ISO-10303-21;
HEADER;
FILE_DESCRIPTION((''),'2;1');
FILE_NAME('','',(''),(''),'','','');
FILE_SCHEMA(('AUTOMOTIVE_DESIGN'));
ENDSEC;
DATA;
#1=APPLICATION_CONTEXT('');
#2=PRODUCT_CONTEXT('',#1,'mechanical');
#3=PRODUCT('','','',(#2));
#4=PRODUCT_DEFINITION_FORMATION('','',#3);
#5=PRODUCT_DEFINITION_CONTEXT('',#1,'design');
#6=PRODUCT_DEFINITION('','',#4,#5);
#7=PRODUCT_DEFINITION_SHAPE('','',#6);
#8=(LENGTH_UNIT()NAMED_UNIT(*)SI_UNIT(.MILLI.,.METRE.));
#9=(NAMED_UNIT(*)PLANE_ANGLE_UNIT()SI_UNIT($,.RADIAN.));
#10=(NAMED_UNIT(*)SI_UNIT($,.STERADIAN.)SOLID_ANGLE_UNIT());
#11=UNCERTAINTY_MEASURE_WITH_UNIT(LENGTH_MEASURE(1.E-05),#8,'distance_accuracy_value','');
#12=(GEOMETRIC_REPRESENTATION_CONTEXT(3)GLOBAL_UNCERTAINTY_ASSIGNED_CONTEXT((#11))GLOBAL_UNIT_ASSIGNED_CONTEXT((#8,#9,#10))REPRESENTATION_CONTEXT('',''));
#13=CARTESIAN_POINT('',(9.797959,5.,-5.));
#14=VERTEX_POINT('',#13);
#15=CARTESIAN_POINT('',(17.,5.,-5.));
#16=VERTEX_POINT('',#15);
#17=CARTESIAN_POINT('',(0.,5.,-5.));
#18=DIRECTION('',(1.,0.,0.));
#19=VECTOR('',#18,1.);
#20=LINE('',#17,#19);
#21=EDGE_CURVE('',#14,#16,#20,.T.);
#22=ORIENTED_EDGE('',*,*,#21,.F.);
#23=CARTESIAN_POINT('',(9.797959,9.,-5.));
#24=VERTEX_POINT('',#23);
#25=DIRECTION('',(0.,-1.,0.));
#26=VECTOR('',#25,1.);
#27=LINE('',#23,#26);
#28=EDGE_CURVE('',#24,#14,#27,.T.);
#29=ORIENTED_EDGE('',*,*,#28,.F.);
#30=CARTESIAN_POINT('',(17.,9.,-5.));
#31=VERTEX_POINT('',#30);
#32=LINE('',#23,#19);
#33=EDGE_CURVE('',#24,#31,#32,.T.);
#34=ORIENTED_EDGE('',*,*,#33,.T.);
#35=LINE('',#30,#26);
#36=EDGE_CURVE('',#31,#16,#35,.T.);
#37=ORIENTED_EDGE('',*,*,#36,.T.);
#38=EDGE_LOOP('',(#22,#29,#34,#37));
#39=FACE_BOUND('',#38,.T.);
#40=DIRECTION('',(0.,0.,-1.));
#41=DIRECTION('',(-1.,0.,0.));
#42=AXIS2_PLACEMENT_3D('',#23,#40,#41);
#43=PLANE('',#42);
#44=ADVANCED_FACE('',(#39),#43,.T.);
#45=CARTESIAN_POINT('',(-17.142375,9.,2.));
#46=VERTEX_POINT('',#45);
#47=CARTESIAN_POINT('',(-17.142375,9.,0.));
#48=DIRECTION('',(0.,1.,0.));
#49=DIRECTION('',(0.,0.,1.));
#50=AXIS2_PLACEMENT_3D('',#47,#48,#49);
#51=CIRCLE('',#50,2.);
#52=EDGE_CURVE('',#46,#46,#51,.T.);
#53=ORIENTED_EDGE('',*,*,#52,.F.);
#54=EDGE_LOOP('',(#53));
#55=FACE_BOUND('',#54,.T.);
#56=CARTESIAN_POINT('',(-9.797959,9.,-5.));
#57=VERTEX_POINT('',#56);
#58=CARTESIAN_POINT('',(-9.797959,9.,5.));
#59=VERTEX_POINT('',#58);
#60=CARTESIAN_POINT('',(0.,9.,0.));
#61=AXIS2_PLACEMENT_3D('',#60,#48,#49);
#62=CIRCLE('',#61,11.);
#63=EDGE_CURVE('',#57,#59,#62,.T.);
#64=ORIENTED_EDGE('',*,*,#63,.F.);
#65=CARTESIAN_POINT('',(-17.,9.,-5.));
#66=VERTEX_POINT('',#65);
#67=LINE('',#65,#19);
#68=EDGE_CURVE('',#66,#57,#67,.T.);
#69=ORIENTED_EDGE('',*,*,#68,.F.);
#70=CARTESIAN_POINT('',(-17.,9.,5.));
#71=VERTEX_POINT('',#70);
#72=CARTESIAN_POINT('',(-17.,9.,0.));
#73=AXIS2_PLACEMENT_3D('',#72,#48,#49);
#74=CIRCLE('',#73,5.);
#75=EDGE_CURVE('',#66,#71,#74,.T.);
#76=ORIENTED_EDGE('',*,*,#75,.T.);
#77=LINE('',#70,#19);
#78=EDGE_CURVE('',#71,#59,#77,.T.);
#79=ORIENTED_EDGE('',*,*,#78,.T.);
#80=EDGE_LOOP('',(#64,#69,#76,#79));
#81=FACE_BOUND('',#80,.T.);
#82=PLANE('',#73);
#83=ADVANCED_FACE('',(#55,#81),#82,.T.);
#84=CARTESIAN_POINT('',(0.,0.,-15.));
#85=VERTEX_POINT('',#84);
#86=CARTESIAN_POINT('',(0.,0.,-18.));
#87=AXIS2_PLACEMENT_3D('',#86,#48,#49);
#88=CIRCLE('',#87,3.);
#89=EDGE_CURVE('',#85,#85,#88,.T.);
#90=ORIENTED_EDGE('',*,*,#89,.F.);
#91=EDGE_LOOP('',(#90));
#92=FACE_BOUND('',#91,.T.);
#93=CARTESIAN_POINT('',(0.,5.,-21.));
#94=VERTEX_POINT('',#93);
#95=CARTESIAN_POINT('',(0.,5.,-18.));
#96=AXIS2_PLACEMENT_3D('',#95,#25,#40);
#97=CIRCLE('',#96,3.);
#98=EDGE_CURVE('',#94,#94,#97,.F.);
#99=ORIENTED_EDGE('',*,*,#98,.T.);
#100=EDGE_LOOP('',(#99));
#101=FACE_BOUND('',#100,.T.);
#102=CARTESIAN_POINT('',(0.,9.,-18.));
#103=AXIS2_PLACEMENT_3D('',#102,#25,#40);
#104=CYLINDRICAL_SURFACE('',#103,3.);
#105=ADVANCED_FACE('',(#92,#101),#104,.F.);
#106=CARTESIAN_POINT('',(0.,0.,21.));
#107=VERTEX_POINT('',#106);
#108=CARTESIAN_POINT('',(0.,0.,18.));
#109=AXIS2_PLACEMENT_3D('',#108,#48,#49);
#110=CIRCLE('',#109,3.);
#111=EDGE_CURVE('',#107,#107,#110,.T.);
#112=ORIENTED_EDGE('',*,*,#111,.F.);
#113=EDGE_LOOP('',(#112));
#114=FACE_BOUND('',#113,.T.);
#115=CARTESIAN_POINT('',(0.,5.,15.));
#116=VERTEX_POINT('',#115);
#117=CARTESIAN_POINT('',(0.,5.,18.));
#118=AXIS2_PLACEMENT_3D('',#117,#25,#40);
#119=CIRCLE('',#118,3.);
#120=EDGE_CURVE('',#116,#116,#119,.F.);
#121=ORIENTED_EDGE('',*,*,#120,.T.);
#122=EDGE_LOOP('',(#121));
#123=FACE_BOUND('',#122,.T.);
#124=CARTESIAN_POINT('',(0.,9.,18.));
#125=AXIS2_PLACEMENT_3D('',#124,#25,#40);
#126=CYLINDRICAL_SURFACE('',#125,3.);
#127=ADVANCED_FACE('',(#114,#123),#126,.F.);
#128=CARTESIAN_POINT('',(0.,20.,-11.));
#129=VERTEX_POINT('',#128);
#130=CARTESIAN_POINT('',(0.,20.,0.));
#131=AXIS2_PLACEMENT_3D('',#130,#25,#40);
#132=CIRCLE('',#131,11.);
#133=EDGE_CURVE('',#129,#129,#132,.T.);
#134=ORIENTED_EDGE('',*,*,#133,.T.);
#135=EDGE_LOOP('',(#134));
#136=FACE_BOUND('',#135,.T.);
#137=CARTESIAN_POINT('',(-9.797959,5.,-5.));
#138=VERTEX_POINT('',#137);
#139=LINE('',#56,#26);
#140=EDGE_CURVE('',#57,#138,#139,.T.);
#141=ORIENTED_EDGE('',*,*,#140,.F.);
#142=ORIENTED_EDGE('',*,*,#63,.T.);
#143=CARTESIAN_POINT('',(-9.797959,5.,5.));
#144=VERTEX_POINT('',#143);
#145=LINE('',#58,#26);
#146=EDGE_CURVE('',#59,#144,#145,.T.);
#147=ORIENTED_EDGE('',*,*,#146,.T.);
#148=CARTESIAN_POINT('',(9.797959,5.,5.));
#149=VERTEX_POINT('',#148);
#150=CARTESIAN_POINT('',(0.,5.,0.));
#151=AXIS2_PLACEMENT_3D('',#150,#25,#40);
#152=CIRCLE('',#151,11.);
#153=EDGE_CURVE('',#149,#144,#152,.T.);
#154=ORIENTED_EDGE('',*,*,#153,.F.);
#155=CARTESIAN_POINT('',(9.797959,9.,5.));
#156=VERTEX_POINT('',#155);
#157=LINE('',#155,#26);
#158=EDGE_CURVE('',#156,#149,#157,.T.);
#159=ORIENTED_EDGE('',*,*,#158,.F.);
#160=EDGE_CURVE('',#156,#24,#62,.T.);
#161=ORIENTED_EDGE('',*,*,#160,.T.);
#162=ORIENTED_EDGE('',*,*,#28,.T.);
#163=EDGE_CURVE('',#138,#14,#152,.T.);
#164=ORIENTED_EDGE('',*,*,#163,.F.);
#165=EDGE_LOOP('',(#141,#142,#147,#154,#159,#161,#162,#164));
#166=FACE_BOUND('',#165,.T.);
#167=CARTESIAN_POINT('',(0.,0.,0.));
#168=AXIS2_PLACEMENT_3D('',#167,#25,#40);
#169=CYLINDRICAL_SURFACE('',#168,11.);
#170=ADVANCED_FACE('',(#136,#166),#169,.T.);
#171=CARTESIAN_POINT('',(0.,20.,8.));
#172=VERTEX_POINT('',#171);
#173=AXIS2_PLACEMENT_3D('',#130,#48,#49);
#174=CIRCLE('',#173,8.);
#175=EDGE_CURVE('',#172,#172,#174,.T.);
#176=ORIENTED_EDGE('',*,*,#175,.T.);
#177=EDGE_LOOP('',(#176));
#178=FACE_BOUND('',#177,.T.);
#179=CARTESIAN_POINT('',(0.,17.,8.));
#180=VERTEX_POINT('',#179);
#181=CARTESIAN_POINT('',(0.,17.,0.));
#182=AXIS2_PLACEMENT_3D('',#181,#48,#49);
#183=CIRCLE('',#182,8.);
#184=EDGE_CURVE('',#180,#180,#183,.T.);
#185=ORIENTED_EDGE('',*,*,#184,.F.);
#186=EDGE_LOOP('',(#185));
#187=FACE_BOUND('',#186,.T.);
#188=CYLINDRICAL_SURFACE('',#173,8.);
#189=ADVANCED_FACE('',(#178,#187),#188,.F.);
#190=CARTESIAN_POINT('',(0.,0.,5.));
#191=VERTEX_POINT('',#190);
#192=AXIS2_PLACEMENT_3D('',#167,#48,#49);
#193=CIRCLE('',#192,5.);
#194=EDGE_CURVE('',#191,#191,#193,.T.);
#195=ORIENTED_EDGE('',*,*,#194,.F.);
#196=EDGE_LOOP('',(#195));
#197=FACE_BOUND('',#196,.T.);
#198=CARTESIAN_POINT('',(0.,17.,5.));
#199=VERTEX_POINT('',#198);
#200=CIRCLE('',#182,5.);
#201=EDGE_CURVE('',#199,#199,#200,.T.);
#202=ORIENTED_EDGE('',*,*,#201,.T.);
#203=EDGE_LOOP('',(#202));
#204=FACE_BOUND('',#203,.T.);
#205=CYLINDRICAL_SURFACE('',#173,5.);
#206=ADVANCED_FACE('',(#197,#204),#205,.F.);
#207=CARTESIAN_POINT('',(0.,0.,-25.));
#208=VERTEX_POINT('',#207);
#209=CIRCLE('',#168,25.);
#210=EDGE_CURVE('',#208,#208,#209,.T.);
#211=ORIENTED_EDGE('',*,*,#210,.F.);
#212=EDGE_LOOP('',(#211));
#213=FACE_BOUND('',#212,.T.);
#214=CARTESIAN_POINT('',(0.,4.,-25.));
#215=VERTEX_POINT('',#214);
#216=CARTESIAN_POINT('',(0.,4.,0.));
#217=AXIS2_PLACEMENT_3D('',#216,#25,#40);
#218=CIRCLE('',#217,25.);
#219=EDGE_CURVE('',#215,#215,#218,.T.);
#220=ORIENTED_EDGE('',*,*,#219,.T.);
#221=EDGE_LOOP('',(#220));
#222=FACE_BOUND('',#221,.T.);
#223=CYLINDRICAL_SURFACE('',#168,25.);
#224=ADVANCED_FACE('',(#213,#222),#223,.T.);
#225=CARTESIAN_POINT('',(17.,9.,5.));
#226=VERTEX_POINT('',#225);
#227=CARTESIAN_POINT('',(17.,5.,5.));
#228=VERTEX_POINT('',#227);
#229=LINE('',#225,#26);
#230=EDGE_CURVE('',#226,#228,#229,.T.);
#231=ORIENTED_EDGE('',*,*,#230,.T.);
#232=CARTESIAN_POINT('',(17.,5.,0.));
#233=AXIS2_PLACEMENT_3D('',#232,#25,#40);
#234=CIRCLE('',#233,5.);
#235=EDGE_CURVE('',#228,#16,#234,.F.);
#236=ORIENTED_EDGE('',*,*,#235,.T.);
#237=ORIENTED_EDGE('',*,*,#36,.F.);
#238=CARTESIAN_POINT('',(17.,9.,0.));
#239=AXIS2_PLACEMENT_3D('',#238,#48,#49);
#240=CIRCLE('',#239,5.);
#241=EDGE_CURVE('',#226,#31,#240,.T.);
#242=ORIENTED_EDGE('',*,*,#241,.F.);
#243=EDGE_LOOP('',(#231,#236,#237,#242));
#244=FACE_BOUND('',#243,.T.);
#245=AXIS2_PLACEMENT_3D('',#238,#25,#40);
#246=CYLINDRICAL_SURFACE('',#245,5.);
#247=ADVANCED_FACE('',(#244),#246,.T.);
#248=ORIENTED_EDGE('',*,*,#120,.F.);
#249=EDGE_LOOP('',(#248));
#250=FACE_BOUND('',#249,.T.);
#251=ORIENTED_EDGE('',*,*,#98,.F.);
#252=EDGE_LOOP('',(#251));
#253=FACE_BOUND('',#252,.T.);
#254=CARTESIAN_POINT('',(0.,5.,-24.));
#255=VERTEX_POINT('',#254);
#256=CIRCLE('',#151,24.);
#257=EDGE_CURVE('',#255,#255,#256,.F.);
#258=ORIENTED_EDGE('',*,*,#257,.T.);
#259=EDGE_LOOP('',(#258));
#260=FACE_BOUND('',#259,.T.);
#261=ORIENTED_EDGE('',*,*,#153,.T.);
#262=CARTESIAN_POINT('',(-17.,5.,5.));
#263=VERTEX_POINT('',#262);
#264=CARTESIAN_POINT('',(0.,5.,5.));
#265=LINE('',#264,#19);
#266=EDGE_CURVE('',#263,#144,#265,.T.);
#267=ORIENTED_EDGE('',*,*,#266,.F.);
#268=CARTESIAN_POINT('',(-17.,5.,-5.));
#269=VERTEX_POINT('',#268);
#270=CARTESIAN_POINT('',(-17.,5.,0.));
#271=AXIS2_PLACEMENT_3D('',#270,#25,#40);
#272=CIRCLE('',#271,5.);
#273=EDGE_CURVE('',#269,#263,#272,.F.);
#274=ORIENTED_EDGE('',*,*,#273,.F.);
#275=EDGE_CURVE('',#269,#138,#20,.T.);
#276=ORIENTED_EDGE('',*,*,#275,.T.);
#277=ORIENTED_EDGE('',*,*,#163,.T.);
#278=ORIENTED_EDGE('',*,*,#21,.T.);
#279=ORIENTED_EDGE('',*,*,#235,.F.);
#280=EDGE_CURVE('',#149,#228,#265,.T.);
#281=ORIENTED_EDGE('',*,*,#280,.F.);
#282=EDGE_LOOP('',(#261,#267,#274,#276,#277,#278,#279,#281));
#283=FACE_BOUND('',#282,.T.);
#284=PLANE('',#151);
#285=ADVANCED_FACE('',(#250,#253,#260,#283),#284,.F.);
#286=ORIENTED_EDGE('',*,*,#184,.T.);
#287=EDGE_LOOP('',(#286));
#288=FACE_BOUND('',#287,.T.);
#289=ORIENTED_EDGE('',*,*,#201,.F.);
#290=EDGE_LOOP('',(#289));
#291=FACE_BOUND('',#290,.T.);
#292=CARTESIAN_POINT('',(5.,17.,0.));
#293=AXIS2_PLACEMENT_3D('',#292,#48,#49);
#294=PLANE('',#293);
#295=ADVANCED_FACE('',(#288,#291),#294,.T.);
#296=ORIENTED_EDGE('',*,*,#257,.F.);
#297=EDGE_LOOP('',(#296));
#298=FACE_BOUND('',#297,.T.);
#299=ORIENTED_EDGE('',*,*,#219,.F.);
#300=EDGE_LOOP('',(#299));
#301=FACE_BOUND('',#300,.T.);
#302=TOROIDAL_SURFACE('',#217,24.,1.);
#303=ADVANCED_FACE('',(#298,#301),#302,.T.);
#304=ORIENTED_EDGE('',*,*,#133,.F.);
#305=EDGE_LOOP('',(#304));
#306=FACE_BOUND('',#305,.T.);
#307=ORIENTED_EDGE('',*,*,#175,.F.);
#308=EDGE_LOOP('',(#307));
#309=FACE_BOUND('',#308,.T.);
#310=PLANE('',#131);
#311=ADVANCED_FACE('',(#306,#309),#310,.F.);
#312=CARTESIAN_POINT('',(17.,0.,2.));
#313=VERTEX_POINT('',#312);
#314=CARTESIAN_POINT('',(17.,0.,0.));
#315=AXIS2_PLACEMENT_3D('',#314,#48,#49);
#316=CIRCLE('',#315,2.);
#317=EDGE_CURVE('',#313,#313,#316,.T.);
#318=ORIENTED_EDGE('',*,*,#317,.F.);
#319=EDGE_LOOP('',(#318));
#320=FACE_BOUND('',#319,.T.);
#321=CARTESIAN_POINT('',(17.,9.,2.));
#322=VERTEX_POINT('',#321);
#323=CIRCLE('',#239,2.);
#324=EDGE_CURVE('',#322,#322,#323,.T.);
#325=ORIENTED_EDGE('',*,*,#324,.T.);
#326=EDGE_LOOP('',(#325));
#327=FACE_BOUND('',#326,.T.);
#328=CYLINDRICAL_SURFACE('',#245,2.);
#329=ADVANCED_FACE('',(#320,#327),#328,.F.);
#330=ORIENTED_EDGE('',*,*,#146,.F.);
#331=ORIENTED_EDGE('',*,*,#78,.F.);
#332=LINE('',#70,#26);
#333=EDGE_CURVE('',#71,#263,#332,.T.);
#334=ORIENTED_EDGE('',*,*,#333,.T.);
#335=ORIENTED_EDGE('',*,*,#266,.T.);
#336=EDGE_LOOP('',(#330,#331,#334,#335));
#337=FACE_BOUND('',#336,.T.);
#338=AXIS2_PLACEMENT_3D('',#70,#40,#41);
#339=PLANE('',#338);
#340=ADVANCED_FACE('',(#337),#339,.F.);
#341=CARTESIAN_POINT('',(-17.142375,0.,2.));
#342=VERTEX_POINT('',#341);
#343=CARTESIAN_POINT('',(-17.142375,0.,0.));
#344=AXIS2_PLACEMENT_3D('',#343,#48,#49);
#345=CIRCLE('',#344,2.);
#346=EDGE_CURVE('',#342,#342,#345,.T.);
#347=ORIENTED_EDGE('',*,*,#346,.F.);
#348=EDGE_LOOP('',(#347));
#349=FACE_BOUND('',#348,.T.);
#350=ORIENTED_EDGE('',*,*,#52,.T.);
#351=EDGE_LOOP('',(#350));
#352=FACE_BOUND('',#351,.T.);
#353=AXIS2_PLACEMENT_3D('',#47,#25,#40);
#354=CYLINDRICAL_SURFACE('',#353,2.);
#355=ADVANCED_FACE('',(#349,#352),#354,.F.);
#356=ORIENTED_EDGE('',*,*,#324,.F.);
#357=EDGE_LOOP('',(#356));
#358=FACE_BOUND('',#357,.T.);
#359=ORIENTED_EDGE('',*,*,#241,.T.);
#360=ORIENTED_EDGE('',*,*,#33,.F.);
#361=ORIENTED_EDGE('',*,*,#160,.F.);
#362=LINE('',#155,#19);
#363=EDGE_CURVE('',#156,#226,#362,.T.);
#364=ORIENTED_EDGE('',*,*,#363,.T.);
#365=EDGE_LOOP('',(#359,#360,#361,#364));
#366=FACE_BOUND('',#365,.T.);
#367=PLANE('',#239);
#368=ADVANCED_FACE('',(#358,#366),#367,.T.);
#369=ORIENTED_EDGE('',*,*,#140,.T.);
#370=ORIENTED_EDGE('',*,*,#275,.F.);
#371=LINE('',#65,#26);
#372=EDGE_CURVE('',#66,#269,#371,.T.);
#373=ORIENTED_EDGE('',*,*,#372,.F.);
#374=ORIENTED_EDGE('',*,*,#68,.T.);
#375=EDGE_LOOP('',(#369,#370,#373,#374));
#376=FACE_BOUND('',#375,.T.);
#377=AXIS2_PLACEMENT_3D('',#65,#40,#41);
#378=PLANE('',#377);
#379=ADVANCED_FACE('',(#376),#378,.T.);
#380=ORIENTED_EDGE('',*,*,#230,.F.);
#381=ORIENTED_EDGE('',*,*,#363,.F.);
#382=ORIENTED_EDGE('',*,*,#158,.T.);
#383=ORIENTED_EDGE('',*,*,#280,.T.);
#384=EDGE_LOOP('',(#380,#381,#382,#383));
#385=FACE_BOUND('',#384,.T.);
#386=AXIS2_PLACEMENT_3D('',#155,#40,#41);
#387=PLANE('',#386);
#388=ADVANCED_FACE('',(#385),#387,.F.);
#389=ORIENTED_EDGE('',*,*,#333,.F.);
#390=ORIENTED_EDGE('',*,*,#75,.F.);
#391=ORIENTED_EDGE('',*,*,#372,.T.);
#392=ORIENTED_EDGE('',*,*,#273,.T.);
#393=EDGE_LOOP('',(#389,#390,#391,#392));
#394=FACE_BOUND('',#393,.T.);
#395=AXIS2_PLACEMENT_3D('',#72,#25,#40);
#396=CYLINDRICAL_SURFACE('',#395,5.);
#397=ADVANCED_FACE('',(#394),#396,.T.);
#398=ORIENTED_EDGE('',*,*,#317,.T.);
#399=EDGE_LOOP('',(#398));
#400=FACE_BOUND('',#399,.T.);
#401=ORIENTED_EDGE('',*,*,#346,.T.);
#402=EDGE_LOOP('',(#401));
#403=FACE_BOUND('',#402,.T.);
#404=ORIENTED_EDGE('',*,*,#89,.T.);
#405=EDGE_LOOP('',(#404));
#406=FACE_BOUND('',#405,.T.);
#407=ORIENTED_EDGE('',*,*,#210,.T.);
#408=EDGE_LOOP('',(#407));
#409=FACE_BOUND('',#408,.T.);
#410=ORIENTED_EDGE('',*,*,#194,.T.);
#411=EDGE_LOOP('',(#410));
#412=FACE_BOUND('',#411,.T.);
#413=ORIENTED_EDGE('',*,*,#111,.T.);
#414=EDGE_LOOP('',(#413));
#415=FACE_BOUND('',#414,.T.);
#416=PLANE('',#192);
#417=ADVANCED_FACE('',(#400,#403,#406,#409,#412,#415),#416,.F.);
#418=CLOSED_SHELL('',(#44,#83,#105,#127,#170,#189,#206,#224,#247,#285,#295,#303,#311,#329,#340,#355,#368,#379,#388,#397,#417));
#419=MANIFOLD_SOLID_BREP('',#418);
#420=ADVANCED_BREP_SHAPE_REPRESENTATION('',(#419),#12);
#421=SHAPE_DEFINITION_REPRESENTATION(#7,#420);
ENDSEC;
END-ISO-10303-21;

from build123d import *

# Parameters (mm, degrees)
EXTRUDE_2_DEPTH     = 9
SKETCH_4_R          = 2
SKETCH_4_R_2        = 3
CUT_EXTRUDE_1_DEPTH = 9
FILLET_1_R          = 1


with BuildPart() as part:
    # 草圖1 → 旋轉1 (revolve)
    with BuildSketch(Plane.XY, mode=Mode.PRIVATE) as revolve_1_sk:
        Polygon((25, 0), (0, 0), (0, 20), (11, 20), (11, 5), (25, 5), align=None)
    revolve(revolve_1_sk.sketch.rotate(Axis((0, 0, 0), (0, 1, 0)), 90), axis=Axis((0, 0, 0), (0, 1, 0)))

    # 草圖2 → 除料-旋轉1 (revolve, cut)
    with BuildSketch(Plane.XY, mode=Mode.PRIVATE) as cut_revolve_1_sk:
        Polygon((0, 20), (0, 0), (5, 0), (5, 17), (8, 17), (8, 20), align=None)
    revolve(cut_revolve_1_sk.sketch.rotate(Axis((0, 20, 0), (0, -1, 0)), 90), axis=Axis((0, 20, 0), (0, -1, 0)), mode=Mode.SUBTRACT)

    # 草圖3 → 填料-伸長2 (add)
    with BuildSketch(Plane(origin=(0, 0, 0), x_dir=(1, 0, 0), z_dir=(0, 1, 0))):
        with BuildLine():
            Line((-17, 5), (-9.797958971, 5))
            Line((-9.797958971, 5), (-9.797958971, -5))
            Line((-9.797958971, -5), (-17, -5))
            ThreePointArc((-17, -5), (-22, 0), (-17, 5))
        make_face()
        with BuildLine():
            Line((9.797958971, 5), (9.797958971, -5))
            Line((9.797958971, -5), (17, -5))
            ThreePointArc((17, -5), (22, 0), (17, 5))
            Line((17, 5), (9.797958971, 5))
        make_face()
    extrude(amount=EXTRUDE_2_DEPTH)

    # 草圖4 → 除料-伸長1 (cut)
    with BuildSketch(Plane(origin=(0, 0, 0), x_dir=(1, 0, 0), z_dir=(0, 1, 0))):
        with Locations(Location((-17.142374929, 0, 0), (0, 0, 270))):
            Circle(SKETCH_4_R)
        with Locations(Location((17, 0, 0), (0, 0, 270))):
            Circle(SKETCH_4_R)
        with Locations(Location((0, 18, 0), (0, 0, 90))):
            Circle(SKETCH_4_R_2)
        with Locations(Location((0, -18, 0), (0, 0, 90))):
            Circle(SKETCH_4_R_2)
    extrude(amount=CUT_EXTRUDE_1_DEPTH, mode=Mode.SUBTRACT)

    # 圓角1
    fillet_1_edges = [part.edges().sort_by_distance(p)[0] for p in [
        (0, 5, 25),
    ]]
    fillet(fillet_1_edges, radius=FILLET_1_R)


solid = part.part
